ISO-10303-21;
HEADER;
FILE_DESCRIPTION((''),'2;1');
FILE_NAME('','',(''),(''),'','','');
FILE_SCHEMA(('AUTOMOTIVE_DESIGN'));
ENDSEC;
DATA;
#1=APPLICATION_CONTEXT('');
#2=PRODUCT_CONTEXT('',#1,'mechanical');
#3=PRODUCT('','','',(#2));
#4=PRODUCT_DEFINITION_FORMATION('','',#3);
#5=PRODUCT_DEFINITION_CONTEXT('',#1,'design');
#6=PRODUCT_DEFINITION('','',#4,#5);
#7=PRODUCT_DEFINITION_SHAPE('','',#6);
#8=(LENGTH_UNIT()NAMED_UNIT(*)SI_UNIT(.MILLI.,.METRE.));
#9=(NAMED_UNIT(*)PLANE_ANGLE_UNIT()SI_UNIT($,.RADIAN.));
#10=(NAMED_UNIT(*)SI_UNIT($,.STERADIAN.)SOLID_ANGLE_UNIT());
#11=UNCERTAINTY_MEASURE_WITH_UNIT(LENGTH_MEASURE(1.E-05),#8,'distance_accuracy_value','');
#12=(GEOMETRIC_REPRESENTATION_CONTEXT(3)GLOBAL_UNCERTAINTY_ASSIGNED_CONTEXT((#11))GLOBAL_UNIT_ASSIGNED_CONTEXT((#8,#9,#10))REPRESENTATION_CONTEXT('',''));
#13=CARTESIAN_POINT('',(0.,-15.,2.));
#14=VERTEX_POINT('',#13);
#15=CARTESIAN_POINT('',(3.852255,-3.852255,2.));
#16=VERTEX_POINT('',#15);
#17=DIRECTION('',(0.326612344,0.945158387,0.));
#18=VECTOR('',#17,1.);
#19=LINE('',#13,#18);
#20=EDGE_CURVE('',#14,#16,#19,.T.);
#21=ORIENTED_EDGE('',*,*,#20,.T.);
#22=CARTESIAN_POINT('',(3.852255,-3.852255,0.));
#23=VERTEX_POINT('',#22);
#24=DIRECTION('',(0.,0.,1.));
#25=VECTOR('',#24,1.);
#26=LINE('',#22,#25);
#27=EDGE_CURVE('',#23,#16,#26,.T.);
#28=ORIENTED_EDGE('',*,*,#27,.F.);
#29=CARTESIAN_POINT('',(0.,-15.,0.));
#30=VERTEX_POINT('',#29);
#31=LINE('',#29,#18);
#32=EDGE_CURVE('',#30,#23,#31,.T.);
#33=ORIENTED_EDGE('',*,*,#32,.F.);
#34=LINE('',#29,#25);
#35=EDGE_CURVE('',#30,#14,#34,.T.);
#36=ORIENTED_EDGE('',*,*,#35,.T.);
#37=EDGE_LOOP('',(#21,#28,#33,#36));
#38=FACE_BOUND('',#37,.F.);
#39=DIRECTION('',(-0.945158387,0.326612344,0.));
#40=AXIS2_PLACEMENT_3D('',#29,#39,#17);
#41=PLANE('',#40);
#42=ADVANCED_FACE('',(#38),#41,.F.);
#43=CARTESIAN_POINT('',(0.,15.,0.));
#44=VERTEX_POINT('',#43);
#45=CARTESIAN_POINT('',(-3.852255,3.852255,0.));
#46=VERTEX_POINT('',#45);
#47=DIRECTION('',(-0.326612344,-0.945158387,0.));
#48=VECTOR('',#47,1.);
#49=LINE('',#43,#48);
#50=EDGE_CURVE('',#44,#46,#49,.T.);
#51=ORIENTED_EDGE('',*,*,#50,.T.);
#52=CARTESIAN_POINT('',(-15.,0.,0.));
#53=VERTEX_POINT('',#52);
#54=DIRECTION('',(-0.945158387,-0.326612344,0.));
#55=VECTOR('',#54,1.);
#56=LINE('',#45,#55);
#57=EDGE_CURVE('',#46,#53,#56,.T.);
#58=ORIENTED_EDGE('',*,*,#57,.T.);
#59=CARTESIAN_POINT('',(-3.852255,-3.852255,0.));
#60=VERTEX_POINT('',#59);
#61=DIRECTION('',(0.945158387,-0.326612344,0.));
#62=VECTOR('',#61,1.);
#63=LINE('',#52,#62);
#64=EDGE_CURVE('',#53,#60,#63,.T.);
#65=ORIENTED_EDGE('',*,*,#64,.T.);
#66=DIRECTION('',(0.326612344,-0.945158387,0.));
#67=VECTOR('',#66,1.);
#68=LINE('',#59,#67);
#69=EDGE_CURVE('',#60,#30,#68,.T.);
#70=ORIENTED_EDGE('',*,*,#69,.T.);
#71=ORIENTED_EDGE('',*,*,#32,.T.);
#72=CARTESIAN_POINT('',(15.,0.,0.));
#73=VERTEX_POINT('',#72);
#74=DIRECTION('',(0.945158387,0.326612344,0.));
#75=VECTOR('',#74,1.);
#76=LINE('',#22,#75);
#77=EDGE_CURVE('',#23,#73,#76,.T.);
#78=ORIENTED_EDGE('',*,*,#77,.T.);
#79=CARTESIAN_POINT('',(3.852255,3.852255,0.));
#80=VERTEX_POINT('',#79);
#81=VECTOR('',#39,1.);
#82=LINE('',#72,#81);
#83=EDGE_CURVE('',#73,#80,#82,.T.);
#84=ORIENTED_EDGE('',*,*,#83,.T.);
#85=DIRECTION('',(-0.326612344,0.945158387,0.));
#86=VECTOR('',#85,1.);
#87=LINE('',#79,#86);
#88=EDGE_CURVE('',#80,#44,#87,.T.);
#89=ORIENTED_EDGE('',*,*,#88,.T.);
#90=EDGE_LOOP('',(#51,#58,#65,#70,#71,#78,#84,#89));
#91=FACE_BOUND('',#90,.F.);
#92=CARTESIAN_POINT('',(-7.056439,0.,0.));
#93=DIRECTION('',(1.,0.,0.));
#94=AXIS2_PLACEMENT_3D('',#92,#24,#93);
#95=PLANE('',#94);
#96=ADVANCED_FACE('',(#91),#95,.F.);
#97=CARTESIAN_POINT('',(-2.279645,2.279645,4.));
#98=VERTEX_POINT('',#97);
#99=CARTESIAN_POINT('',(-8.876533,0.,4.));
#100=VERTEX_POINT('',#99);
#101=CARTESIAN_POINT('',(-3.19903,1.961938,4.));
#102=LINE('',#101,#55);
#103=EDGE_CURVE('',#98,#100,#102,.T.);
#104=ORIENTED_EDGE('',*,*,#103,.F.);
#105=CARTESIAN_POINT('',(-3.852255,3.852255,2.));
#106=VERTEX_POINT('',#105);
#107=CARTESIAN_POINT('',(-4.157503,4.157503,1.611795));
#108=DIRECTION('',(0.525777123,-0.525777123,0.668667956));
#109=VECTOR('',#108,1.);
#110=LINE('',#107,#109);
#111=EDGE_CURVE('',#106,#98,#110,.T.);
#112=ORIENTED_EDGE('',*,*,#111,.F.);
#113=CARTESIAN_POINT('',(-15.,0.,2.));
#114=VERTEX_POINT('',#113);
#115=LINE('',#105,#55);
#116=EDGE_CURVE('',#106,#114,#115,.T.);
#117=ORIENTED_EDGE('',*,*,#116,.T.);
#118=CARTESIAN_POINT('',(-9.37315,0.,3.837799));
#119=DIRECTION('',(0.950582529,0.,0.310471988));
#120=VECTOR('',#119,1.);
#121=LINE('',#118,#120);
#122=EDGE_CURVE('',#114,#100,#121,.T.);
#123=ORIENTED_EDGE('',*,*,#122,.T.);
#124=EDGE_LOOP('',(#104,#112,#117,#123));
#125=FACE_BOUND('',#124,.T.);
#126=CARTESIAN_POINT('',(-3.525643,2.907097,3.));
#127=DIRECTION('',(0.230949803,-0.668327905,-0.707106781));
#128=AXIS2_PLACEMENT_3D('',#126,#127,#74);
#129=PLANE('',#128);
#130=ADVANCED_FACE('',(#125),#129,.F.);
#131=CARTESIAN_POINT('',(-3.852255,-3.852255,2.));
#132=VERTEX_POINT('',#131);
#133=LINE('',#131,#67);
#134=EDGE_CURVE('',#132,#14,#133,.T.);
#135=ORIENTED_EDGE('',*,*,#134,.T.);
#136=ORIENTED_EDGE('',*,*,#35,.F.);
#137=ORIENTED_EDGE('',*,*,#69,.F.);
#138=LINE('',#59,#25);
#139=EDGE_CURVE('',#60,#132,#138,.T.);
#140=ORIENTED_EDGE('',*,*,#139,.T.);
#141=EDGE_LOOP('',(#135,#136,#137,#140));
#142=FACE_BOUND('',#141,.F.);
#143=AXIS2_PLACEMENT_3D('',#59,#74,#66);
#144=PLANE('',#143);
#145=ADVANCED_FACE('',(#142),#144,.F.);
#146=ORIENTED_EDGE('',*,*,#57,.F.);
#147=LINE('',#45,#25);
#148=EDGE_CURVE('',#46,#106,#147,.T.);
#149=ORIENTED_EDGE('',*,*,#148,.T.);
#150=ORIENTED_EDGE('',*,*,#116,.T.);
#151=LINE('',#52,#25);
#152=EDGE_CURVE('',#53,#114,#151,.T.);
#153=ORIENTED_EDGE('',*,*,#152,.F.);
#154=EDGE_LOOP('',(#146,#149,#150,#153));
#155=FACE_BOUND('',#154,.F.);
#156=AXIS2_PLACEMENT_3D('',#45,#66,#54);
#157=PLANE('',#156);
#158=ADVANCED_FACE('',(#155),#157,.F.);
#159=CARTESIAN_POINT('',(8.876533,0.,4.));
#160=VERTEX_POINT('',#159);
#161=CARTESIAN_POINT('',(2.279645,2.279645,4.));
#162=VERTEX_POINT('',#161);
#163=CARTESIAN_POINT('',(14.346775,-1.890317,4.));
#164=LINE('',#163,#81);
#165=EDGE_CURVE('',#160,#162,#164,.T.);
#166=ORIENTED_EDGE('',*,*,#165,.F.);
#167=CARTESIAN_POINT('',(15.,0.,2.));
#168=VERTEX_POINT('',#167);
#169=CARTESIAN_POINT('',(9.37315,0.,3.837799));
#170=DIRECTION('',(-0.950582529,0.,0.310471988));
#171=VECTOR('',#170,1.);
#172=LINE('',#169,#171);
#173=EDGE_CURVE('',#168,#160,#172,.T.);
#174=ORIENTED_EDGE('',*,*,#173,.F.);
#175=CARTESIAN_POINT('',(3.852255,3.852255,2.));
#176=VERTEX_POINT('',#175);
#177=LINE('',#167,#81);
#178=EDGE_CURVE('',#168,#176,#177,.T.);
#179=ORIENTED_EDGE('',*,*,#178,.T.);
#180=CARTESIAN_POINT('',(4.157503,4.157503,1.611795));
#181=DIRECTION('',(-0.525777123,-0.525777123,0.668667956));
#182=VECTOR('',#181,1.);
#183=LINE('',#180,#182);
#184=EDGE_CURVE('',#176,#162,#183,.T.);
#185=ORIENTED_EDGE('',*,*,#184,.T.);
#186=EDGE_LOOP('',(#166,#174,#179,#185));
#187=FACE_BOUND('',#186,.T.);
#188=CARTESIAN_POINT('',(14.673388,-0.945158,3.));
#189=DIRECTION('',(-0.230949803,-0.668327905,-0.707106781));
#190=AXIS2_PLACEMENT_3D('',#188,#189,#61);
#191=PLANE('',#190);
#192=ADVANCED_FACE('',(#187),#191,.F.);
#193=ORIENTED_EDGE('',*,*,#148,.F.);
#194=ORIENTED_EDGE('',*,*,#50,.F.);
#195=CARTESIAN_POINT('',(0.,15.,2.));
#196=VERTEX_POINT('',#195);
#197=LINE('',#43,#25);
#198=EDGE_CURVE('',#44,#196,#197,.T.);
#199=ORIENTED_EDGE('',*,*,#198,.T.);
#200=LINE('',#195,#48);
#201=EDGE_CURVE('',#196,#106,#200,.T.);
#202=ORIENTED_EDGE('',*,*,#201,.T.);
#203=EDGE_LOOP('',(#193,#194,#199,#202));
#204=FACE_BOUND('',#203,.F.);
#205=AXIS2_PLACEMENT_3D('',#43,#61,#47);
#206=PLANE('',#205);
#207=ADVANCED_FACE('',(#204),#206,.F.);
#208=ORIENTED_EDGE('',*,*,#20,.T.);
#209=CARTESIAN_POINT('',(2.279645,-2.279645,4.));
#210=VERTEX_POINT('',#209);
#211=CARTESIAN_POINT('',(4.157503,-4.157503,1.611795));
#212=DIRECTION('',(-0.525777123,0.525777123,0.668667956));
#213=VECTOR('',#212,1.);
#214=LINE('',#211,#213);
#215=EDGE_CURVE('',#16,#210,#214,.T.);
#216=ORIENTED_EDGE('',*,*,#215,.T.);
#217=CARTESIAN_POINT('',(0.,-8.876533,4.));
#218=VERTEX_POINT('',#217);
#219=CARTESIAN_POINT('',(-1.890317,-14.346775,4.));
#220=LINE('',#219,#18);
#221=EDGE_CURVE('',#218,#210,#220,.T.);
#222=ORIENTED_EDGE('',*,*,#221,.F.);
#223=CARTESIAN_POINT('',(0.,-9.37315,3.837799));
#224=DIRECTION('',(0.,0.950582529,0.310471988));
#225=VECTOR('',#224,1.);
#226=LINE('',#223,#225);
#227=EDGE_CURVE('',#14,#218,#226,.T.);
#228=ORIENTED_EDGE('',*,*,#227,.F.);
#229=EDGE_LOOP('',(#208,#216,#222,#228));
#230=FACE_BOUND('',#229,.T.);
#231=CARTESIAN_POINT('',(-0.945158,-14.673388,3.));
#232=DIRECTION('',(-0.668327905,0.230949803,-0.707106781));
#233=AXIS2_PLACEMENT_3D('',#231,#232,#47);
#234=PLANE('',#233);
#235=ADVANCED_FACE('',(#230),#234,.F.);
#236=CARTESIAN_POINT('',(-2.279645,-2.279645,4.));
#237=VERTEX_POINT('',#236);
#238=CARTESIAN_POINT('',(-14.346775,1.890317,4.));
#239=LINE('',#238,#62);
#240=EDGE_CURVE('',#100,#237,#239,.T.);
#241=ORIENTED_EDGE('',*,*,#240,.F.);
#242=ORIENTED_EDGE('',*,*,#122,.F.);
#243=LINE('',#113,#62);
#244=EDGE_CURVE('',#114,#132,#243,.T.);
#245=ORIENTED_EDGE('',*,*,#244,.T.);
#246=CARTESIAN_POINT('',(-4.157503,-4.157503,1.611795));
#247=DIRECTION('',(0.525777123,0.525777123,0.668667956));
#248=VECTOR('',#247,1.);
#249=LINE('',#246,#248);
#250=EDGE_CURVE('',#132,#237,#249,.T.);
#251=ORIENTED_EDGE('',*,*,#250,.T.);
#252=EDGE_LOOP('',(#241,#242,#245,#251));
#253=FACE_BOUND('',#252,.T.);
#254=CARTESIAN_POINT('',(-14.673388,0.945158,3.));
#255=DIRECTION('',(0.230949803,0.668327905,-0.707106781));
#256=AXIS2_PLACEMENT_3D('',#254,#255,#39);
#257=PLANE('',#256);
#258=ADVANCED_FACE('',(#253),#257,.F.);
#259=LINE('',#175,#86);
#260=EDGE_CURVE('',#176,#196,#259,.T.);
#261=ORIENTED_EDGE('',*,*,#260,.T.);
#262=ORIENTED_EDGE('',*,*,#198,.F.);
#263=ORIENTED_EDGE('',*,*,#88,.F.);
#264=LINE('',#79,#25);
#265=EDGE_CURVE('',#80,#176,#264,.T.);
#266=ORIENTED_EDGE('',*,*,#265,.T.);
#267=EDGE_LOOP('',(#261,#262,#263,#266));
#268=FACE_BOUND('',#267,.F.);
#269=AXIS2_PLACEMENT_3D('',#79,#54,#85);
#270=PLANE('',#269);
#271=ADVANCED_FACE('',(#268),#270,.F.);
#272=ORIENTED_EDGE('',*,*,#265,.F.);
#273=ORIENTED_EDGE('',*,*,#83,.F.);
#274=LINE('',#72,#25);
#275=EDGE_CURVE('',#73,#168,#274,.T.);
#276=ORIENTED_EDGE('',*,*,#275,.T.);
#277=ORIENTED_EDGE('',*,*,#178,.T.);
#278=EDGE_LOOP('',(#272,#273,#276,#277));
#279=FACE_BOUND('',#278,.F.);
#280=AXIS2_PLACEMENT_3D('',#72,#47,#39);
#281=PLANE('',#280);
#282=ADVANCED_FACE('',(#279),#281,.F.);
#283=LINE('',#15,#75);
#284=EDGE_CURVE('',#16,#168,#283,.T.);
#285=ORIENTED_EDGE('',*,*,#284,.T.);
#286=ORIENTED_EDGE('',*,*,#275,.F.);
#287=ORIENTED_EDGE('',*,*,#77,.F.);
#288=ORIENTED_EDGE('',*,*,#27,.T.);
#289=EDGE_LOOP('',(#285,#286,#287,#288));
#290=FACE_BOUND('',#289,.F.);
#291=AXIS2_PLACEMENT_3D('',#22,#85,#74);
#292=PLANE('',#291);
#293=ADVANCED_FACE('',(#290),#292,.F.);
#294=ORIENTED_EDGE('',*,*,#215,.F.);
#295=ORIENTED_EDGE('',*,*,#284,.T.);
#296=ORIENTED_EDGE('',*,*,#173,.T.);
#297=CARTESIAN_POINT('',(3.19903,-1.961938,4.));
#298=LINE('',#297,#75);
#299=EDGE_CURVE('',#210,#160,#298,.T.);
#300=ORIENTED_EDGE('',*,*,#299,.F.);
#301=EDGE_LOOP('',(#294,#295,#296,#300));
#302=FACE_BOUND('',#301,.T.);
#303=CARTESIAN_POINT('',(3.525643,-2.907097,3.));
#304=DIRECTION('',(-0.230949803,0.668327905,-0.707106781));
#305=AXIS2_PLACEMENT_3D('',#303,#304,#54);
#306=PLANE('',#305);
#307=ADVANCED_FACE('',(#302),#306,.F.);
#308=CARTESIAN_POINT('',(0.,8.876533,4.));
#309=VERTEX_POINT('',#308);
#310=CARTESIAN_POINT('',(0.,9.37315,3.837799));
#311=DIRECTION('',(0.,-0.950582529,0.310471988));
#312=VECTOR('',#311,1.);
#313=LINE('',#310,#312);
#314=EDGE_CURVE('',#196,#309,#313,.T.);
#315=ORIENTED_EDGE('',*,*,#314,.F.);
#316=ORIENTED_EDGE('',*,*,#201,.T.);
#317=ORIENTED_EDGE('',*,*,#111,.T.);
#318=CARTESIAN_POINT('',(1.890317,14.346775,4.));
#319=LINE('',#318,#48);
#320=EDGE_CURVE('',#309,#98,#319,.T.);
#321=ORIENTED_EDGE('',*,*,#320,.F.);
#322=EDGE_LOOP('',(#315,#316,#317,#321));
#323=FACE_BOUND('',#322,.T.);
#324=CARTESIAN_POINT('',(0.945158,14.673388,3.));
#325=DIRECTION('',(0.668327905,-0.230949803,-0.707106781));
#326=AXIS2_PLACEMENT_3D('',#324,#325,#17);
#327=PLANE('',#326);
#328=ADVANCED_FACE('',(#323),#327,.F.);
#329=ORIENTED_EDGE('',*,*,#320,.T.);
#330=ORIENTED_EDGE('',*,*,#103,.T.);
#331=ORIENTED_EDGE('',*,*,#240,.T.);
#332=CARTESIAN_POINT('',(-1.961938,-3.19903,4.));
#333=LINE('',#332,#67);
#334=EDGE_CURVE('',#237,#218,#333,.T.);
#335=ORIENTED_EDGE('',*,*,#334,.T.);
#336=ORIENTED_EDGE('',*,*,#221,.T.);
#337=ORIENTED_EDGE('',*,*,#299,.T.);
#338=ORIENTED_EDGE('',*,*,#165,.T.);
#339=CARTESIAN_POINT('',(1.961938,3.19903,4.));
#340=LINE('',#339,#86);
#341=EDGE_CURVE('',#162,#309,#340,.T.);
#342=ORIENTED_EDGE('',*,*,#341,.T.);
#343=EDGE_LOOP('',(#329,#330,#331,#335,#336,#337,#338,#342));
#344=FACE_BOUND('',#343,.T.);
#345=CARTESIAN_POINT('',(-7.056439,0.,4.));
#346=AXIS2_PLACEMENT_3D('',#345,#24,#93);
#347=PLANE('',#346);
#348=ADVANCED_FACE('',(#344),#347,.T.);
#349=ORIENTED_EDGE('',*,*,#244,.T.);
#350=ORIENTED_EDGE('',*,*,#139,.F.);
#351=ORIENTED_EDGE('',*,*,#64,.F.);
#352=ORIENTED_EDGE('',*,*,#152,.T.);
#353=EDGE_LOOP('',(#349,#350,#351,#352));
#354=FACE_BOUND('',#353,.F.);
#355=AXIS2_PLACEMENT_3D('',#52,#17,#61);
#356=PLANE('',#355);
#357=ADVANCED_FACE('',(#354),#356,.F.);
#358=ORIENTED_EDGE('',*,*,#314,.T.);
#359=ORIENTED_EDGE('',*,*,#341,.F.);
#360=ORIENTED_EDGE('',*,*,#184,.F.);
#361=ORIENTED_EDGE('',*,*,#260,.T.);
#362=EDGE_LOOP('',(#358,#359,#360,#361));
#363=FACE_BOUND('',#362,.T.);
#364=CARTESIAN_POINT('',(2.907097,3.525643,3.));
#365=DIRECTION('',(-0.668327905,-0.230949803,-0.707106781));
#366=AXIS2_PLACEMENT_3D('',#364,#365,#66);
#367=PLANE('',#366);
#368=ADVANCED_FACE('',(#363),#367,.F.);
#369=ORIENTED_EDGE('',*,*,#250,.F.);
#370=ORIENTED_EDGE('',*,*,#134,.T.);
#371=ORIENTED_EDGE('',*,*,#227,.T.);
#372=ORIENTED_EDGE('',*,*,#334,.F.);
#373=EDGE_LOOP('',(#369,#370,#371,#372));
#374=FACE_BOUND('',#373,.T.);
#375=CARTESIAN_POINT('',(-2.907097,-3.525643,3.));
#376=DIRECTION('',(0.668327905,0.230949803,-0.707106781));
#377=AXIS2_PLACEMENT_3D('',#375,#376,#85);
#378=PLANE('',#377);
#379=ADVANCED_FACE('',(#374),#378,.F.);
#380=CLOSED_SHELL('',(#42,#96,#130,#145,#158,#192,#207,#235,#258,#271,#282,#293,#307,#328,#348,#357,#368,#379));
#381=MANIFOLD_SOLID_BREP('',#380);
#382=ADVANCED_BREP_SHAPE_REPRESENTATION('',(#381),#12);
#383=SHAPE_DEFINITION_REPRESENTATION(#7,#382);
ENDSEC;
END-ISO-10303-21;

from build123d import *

# Parameters (mm, degrees)
F1_DEPTH = 4
F2_SIZE  = 2


with BuildPart() as f1:
    # F0 (on Top) → F1 (new body)
    with BuildSketch(Plane.XY):
        Polygon((0, 0), (-3.852255, 3.852255), (-15, 0), (-3.852255, -3.852255), align=None)
        Polygon((3.852255, 3.852255), (0, 15), (-3.852255, 3.852255), (0, 0), align=None)
        Polygon((15, 0), (3.852255, 3.852255), (0, 0), (3.852255, -3.852255), align=None)
        Polygon((3.852255, -3.852255), (0, 0), (-3.852255, -3.852255), (0, -15), align=None)
    extrude(amount=F1_DEPTH)

    # F2
    f2_edges = [f1.edges().sort_by_distance(p)[0] for p in [
        (-9.426127, -1.926127, 4),
        (-1.926127, -9.426127, 4),
        (1.926127, -9.426127, 4),
        (9.426127, -1.926127, 4),
        (9.426127, 1.926127, 4),
        (1.926127, 9.426127, 4),
        (-1.926127, 9.426127, 4),
        (-9.426127, 1.926127, 4),
    ]]
    chamfer(f2_edges, length=F2_SIZE)


solid = f1.part
